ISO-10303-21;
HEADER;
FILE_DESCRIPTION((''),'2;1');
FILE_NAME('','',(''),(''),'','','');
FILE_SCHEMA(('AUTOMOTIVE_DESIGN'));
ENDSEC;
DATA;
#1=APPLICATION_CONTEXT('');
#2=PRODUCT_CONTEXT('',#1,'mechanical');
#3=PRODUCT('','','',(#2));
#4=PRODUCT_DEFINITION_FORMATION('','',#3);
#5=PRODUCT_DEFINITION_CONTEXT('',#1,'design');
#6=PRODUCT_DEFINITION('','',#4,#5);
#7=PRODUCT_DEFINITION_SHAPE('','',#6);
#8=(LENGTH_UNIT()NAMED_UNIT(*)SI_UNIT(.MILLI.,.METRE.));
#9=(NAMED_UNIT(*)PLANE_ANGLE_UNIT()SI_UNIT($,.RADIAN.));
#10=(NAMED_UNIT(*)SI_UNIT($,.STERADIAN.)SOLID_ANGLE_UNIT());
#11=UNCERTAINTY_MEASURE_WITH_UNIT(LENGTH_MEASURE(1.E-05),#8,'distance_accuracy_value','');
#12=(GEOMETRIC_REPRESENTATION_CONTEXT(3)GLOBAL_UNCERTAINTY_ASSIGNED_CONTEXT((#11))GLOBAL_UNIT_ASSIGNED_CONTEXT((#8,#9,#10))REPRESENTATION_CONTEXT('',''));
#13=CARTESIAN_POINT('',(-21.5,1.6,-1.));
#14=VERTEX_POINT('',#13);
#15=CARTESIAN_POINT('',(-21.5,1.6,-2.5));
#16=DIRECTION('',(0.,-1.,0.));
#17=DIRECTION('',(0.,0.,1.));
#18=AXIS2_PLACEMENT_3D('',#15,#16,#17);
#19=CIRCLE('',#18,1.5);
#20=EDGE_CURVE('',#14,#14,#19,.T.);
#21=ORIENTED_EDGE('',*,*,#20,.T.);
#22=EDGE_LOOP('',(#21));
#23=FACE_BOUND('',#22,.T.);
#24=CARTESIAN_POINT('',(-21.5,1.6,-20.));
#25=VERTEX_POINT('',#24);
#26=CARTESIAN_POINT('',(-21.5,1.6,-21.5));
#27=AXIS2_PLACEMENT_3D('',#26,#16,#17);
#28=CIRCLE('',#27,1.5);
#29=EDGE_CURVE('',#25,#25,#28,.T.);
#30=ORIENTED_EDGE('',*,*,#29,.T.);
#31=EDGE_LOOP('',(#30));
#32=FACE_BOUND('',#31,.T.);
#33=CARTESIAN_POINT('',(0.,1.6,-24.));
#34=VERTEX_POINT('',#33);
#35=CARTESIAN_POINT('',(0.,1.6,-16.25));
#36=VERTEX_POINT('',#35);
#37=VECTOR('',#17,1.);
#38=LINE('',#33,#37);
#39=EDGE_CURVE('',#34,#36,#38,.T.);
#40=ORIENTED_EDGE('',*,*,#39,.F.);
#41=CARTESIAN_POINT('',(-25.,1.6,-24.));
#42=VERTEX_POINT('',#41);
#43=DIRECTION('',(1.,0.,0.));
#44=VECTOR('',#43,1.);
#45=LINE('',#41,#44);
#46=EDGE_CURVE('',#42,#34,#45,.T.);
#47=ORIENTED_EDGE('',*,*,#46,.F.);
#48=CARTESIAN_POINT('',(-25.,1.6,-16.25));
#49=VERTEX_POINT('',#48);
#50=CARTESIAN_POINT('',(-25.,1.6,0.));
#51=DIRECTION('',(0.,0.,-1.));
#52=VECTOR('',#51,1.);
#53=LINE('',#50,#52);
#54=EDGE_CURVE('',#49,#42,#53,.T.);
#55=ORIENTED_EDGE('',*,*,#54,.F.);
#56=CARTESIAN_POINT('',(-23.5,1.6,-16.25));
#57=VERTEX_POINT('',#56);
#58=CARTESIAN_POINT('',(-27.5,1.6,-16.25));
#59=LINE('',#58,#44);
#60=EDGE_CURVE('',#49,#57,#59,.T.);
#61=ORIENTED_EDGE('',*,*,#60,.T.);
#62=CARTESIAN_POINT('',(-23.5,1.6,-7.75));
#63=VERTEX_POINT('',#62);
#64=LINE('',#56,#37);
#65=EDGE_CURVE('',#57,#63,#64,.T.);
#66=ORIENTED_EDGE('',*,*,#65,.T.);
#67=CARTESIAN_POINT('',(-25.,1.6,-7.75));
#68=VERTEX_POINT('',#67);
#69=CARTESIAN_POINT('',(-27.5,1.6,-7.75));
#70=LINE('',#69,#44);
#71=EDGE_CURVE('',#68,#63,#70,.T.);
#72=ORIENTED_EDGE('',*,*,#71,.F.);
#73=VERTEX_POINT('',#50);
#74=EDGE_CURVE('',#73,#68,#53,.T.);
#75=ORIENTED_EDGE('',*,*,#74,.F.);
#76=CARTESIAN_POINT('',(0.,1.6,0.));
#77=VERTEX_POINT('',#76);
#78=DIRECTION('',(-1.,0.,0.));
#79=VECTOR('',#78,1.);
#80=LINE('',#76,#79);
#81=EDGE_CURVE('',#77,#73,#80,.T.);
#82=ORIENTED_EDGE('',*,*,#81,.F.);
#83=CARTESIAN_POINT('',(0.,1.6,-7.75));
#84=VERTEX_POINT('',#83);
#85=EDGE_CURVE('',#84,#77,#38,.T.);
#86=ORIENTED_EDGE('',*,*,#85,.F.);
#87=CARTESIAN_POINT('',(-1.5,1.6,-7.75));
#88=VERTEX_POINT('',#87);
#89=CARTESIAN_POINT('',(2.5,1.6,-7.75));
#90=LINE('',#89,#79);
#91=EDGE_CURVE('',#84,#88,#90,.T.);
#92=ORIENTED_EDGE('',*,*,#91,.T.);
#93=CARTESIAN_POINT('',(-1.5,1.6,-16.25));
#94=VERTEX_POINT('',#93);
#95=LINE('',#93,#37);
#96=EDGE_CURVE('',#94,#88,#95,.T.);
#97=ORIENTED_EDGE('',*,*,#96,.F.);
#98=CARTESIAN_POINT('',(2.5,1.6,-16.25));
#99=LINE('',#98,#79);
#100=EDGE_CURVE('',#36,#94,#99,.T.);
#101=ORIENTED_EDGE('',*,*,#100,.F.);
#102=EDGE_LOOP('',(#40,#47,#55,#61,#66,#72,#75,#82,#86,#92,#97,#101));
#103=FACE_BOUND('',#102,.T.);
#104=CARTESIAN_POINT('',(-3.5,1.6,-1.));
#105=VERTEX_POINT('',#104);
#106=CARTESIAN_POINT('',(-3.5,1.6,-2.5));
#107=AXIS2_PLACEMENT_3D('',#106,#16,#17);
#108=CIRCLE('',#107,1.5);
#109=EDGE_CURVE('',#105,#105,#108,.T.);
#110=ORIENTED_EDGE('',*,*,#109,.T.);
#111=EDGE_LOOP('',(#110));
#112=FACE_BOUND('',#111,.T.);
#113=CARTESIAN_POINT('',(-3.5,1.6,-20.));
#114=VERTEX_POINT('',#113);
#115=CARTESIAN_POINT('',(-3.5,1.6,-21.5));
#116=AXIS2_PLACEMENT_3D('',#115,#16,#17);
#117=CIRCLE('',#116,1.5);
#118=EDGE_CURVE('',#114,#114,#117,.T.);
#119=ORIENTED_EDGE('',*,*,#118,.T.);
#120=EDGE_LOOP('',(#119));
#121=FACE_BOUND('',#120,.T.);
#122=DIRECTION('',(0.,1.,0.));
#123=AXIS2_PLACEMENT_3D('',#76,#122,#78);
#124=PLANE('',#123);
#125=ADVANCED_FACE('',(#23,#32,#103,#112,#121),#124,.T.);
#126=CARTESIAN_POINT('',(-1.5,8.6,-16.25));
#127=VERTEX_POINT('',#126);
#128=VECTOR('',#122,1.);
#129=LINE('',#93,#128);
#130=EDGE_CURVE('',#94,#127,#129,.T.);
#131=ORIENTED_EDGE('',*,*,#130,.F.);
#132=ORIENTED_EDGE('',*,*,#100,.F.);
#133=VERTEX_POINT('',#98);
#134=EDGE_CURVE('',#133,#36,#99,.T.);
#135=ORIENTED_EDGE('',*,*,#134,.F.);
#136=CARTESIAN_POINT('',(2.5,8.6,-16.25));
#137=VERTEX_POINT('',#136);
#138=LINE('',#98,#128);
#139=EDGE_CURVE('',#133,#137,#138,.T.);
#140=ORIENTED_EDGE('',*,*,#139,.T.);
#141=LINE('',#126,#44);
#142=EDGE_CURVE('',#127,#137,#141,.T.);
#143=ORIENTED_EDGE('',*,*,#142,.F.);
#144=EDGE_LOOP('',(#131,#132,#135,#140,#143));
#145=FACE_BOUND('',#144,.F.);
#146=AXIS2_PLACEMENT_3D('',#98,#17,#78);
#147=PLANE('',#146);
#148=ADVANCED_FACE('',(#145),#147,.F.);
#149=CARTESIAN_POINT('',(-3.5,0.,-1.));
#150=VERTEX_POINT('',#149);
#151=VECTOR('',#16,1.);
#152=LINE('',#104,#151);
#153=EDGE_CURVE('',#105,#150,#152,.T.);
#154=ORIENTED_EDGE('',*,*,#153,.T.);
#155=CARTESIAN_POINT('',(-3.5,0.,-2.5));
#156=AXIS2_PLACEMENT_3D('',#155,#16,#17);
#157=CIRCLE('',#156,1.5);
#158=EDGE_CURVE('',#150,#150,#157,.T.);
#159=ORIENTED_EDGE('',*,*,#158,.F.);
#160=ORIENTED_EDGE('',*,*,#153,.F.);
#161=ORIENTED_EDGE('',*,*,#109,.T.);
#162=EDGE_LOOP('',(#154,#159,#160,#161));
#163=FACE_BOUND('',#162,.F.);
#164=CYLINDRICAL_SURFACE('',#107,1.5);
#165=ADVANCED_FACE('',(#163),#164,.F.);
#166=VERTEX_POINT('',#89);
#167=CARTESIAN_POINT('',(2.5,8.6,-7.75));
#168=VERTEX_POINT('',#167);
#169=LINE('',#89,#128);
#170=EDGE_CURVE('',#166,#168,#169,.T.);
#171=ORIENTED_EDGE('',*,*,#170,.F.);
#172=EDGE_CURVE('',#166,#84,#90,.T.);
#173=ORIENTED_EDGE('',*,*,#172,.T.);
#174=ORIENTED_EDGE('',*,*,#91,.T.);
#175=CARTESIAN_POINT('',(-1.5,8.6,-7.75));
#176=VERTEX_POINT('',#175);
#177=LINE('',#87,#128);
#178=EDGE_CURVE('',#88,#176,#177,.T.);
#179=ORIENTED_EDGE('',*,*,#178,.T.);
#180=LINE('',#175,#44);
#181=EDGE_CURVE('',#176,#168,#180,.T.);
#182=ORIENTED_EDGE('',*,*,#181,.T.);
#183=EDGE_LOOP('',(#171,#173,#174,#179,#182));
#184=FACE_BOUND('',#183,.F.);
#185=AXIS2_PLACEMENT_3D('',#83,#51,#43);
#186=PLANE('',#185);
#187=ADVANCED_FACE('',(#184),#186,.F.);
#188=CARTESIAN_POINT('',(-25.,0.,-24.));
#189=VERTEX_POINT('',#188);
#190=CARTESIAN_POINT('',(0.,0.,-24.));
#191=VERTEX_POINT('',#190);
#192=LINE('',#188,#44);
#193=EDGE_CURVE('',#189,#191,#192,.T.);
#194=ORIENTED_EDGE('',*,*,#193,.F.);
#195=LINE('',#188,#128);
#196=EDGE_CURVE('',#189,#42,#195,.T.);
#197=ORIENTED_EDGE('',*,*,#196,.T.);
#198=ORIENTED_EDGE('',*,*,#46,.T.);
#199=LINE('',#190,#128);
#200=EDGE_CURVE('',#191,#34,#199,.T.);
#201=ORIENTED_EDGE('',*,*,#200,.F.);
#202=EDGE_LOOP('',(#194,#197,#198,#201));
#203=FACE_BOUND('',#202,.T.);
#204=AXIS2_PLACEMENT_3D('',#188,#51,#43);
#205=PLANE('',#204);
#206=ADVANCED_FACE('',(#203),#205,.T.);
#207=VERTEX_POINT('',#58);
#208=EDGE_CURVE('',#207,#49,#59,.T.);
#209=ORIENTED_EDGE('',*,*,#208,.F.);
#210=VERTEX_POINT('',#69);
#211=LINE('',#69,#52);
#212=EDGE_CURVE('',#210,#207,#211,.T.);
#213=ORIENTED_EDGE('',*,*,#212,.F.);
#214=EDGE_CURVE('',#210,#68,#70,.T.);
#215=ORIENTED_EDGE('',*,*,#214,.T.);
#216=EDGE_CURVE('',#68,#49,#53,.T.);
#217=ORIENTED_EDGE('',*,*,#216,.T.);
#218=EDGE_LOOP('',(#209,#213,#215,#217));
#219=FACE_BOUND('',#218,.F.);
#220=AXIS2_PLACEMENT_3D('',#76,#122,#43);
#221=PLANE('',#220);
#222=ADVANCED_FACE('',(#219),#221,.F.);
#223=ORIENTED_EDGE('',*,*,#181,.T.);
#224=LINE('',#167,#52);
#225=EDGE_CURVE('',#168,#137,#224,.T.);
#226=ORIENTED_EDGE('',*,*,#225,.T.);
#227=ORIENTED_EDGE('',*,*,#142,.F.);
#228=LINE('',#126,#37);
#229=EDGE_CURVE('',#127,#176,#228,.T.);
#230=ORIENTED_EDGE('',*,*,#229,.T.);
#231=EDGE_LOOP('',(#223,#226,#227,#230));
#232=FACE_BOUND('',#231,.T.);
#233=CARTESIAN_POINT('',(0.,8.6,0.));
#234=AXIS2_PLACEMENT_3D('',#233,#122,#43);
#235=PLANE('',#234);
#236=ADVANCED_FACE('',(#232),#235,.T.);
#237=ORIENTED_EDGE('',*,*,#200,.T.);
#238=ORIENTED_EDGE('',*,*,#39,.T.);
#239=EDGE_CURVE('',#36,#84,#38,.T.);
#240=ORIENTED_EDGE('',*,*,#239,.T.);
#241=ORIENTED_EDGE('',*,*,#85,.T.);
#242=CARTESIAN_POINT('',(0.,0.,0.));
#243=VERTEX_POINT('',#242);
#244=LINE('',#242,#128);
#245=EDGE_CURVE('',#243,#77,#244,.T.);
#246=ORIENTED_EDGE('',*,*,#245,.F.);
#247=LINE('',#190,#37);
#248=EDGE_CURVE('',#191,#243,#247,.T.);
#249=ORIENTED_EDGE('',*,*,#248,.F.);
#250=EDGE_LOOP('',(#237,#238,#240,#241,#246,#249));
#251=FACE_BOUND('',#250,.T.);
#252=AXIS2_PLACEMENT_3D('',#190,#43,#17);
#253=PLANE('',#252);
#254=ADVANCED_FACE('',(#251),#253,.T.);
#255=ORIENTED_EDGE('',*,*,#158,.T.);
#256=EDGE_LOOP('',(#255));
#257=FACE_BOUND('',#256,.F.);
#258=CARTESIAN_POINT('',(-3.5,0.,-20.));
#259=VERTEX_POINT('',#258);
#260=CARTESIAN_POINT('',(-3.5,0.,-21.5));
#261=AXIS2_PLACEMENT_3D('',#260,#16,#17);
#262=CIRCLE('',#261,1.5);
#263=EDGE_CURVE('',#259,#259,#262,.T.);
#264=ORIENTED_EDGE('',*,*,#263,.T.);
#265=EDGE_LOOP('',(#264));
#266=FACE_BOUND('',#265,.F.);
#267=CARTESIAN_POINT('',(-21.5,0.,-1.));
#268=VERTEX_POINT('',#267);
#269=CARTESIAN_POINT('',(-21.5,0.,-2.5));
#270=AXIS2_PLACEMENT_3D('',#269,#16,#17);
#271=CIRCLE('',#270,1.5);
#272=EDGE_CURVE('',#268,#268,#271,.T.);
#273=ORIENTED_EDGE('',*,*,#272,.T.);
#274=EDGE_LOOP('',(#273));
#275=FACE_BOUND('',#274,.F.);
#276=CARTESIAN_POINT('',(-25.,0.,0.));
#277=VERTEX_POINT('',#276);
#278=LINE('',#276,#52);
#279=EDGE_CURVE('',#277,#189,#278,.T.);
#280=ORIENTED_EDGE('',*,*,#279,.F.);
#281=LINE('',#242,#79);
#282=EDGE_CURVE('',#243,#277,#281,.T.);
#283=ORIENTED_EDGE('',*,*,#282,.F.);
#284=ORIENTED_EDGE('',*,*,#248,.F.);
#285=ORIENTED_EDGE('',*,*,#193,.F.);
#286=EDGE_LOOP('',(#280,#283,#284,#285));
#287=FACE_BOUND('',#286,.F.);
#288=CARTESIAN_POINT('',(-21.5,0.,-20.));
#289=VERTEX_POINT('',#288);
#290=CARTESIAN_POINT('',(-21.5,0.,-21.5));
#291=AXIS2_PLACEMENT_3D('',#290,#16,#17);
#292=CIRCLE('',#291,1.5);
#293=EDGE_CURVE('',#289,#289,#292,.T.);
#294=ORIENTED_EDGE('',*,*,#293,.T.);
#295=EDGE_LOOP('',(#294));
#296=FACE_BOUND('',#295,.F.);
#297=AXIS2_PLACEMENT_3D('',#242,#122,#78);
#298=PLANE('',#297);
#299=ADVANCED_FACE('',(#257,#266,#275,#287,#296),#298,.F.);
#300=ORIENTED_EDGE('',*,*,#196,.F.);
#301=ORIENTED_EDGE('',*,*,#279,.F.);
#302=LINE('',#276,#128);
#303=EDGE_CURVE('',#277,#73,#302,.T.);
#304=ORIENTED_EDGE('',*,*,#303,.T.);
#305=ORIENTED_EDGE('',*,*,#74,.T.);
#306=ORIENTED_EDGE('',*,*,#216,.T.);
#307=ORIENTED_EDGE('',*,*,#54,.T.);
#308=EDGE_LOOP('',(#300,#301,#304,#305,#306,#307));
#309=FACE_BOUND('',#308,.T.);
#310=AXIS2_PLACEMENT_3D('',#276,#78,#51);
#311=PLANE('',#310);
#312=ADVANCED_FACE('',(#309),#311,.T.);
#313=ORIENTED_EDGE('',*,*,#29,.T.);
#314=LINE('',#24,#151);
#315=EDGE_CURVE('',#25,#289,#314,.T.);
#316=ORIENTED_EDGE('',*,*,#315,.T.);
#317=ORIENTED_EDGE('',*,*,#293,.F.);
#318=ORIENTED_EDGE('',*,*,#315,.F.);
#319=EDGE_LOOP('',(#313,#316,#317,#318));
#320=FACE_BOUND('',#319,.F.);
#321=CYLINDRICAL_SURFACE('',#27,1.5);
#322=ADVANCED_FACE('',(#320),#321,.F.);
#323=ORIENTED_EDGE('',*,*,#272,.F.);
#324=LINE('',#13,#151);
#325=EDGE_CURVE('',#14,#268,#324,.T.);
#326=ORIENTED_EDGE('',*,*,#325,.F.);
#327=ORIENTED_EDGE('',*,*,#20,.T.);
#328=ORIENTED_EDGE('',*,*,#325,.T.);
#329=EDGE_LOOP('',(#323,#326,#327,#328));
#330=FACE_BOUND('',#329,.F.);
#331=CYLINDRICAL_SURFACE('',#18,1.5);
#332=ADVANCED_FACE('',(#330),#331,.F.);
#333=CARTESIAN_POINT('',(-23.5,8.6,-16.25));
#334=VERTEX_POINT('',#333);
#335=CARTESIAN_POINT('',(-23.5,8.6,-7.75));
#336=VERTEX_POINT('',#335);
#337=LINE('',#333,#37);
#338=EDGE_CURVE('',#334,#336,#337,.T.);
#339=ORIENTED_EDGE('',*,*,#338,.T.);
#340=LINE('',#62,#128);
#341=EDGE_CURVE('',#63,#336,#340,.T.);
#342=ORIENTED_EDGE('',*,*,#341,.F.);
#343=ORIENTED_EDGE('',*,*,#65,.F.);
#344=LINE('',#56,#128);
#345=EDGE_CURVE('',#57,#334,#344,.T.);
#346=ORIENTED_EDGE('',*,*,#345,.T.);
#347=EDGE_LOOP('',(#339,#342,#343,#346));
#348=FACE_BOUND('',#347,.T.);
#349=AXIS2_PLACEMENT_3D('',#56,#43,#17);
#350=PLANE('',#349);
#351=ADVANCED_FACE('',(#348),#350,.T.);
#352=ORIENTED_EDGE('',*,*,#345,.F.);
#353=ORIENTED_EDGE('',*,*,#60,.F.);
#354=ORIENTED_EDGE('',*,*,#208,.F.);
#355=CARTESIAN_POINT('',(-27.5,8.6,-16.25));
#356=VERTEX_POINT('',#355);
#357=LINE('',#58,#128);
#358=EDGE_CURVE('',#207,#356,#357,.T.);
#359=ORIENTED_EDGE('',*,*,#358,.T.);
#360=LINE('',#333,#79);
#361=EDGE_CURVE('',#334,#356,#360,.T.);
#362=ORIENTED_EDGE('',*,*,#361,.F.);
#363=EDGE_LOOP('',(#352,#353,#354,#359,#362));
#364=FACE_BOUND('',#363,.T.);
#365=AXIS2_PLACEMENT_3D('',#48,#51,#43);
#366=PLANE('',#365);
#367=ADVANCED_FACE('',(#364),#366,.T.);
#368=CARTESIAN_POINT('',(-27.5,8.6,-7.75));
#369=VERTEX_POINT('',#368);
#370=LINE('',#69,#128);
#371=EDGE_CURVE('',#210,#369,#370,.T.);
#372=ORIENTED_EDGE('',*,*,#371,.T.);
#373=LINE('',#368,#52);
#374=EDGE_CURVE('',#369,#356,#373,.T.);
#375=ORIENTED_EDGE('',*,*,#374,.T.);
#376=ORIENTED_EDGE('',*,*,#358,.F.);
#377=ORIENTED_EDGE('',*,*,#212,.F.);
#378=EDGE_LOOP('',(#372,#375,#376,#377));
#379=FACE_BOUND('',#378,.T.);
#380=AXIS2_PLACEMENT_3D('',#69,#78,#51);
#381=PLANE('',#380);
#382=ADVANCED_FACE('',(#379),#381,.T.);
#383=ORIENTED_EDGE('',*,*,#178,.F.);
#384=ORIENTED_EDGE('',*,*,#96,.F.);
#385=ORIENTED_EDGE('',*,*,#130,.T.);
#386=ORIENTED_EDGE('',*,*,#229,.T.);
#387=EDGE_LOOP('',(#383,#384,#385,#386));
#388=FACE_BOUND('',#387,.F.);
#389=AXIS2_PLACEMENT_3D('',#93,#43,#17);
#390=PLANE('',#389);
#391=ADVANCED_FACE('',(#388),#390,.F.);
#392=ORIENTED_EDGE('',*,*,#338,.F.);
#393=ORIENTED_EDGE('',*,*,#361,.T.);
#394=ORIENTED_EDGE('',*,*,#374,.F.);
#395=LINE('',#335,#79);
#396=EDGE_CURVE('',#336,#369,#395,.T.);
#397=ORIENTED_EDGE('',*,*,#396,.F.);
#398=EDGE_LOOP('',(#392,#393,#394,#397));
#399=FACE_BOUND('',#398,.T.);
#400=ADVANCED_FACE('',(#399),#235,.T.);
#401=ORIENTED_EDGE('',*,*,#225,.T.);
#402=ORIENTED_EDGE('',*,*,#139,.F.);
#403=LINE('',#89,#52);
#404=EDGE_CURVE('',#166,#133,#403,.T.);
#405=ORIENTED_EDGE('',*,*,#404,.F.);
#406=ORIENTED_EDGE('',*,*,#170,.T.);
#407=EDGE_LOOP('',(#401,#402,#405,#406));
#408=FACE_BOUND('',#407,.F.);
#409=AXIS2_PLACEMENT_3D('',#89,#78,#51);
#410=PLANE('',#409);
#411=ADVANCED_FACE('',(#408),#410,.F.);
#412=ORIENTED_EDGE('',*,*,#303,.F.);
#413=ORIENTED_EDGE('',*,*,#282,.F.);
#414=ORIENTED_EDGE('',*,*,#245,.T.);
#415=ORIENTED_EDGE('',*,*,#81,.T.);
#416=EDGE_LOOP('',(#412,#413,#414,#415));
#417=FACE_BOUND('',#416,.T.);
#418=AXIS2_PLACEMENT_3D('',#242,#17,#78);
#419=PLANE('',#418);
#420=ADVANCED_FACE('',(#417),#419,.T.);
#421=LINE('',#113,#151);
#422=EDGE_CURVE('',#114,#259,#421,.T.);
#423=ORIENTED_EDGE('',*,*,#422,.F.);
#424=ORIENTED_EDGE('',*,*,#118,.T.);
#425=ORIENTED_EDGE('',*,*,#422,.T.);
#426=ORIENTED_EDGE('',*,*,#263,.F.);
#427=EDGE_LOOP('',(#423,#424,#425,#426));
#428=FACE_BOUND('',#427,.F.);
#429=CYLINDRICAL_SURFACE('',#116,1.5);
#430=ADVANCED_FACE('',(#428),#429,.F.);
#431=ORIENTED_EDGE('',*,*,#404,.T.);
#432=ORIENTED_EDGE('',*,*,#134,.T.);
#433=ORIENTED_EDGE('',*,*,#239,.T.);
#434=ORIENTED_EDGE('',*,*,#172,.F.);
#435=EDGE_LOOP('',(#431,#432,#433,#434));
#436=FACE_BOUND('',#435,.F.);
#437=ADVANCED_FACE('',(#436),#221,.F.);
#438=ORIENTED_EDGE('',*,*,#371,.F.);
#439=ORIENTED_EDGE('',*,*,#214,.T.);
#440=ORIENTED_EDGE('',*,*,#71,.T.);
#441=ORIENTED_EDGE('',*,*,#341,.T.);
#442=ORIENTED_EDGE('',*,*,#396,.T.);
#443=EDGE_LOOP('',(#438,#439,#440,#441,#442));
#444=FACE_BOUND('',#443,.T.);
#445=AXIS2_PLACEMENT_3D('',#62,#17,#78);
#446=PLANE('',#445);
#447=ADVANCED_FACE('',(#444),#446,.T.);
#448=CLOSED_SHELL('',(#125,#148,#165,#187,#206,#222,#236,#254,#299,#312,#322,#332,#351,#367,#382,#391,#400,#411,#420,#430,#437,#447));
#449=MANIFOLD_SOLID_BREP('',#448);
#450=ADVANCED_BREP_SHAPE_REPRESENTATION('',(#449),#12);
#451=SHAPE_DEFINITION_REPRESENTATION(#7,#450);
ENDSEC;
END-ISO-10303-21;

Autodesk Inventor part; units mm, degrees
ref_plane "YZ Plane" through (0, 0, 0) normal (1, 0, 0) x (0, 1, 0)
ref_plane "XZ Plane" through (0, 0, 0) normal (0, 1, 0) x (-1, 0, 0)
ref_plane "XY Plane" through (0, 0, 0) normal (0, 0, 1) x (1, 0, 0)
sketch "Sketch1" plane through (0, 0, 0) normal (0, 1, 0) x (-1, 0, 0)
  line L0 (0, 0) -> (25, 0)
  line L1 (25, 0) -> (25, -24)
  line L2 (25, -24) -> (0, -24)
  line L3 (0, -24) -> (0, 0)
  dimension "d0" = 24
  dimension "d1" = 25
extrude "Extrusion1" add sketch "Sketch1" along normal blind 1.6
sketch "Sketch2" plane through (0, 1.6, 0) normal (0, 1, 0) x (1, 0, 0)
  line L0 (-23.5, 7.75) -> (-27.5, 7.75)
  line L1 (-27.5, 7.75) -> (-27.5, 16.25)
  line L2 (-27.5, 16.25) -> (-23.5, 16.25)
  line L3 (-23.5, 16.25) -> (-23.5, 7.75)
  line L4 (-1.5, 7.75) -> (2.5, 7.75)
  line L5 (2.5, 7.75) -> (2.5, 16.25)
  line L6 (2.5, 16.25) -> (-1.5, 16.25)
  line L7 (-1.5, 16.25) -> (-1.5, 7.75)
  line L8 (-25, 0) -> (0, 0) projected
  line L9 (0, 24) -> (-25, 24) projected
  line L10 (0, 0) -> (0, 24) projected
  line L11 (-25, 24) -> (-25, 0) projected
  dimension "d4" = 8.5
  dimension "d5" = 7.75
  dimension "d6" = 7.75
  dimension "d8" = 4
  dimension "d9" = 8.5
  dimension "d10" = 7.75
  dimension "d11" = 2.5
  dimension "d13" = 4
  dimension "d14" = 2.5
extrude "Extrusion2" add sketch "Sketch2" along normal blind 7 contours L0 L11 L2 L3 | L0 L1 L2 L11 | L10 L6 L5 L4 | L4 L7 L6 L10
sketch "Sketch3" plane through (0, 1.6, 0) normal (0, 1, 0) x (1, 0, 0)
  line L0 (-25, 7.75) -> (-25, 0) projected
  line L1 (-25, 0) -> (0, 0) projected
  point P0 (-21.5, 2.5)
  point P1 (-21.5, 21.5)
  point P2 (-3.5, 2.5)
  point P3 (-3.5, 21.5)
  dimension "d17" = 3.5
  dimension "d18" = 2.5
  dimension "d21" = 19
  dimension "d24" = 18
hole "Hole1" at (-21.5, 1.6, -2.5) at (-21.5, 1.6, -21.5) at (-3.5, 1.6, -2.5) at (-3.5, 1.6, -21.5) direction (0, -1, 0) diameter 3 end through all
properties part number "Mock Board"
